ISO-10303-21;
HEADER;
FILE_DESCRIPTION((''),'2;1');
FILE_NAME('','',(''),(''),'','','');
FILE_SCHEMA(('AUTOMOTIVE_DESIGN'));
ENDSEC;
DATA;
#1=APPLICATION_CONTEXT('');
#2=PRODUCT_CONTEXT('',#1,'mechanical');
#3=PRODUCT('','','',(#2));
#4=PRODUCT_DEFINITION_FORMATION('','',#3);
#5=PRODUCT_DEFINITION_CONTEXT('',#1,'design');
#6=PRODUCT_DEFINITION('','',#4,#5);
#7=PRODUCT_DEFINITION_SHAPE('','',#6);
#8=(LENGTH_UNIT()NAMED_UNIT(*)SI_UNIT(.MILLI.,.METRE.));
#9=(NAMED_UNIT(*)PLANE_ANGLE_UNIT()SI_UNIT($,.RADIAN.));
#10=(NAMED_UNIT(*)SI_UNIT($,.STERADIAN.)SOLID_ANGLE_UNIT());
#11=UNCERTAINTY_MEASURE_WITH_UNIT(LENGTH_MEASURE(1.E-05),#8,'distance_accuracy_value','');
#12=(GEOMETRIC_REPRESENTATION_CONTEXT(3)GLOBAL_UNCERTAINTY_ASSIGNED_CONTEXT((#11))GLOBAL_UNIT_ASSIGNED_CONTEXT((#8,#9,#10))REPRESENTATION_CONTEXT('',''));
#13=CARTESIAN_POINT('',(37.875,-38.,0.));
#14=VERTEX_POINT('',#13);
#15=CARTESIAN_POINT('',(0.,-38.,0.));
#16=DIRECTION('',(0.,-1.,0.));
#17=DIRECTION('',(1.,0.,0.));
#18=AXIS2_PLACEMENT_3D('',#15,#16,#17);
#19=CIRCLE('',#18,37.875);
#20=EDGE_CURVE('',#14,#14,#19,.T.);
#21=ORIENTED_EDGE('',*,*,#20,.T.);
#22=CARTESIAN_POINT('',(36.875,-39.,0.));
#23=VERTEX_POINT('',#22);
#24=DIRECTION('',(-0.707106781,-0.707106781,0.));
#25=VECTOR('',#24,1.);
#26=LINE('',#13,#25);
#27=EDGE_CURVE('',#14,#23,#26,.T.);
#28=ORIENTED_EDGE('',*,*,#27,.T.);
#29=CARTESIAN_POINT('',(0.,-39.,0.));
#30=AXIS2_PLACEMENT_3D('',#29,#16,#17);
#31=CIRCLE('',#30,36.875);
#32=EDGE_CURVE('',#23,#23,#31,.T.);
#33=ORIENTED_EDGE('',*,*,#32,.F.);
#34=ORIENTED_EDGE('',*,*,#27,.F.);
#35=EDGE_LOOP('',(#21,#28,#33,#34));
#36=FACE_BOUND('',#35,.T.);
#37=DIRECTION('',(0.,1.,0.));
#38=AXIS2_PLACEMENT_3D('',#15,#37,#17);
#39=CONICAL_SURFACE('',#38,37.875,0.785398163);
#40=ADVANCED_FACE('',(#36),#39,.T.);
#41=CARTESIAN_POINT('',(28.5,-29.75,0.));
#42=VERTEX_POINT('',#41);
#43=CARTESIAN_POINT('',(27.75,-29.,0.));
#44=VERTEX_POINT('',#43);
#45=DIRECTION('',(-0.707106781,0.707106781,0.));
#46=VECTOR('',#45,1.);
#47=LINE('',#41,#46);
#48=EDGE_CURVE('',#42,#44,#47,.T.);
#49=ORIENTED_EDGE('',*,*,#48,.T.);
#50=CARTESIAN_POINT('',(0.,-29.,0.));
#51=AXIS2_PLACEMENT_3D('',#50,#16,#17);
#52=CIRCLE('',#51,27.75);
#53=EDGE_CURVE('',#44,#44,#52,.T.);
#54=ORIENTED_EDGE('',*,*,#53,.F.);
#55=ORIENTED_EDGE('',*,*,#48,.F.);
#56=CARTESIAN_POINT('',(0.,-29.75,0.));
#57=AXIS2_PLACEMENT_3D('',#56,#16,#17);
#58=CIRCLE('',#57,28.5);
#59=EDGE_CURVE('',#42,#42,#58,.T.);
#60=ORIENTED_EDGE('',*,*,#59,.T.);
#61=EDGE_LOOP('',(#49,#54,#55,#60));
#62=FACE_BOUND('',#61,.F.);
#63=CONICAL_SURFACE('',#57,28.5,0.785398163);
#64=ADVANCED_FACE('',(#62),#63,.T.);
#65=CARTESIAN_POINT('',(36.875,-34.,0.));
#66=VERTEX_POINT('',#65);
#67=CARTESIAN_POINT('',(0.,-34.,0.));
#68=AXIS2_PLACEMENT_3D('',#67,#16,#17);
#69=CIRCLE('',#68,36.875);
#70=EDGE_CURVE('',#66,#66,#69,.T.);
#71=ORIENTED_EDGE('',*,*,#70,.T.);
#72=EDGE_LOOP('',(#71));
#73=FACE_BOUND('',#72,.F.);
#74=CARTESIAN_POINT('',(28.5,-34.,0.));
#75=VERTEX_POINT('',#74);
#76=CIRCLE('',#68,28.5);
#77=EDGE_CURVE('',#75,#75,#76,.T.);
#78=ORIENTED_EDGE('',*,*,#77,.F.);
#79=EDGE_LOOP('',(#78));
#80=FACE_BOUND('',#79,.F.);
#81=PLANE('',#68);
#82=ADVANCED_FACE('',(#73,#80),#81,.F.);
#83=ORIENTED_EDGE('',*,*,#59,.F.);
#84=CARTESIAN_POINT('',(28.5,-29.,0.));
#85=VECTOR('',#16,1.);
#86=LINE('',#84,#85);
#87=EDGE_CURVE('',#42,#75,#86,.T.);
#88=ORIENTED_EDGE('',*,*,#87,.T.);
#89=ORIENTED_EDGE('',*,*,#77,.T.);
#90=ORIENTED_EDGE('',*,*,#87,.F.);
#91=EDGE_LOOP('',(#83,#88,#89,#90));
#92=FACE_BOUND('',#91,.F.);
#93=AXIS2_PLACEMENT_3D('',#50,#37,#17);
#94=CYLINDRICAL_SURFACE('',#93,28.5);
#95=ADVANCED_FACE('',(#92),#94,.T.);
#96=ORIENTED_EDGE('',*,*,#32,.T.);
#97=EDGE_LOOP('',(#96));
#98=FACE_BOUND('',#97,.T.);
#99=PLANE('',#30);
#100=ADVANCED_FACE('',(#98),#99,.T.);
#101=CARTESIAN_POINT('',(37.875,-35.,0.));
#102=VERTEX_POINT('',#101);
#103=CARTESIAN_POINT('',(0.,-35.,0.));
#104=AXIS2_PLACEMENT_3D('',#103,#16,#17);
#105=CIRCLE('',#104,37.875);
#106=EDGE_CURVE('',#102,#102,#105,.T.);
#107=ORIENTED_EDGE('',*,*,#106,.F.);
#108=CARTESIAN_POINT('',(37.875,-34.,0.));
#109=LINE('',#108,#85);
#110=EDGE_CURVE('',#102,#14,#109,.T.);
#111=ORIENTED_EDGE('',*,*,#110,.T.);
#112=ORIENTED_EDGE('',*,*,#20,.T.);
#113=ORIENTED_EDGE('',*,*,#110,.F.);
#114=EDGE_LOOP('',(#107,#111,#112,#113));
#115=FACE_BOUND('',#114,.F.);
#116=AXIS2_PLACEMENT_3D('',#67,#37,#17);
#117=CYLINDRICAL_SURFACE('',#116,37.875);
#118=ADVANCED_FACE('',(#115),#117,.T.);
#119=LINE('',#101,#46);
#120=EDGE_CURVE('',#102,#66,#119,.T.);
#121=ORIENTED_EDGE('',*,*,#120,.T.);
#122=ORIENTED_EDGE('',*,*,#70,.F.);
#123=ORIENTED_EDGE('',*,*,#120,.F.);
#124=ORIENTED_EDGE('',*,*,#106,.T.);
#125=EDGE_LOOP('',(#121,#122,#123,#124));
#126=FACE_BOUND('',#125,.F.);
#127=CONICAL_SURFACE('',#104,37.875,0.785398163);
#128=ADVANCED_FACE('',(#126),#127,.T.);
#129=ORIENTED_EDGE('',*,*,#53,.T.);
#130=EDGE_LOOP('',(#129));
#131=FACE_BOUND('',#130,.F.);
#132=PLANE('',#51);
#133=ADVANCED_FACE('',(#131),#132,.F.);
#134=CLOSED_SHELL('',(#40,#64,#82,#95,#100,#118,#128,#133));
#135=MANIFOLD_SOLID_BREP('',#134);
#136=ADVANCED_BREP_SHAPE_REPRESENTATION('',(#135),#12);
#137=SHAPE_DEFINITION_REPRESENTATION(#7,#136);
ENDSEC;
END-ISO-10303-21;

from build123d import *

# Parameters (mm, degrees)
SKETCH001_R     = 28.5
PAD_DEPTH       = 5
SKETCH002_R     = 37.875
PAD001_DEPTH    = 5
CHAMFER_SIZE    = 1
CHAMFER001_SIZE = 0.75


with BuildPart() as part:
    # Sketch001 → Pad (new body)
    with BuildSketch(Plane.XZ.offset(29)):
        Circle(SKETCH001_R)
    extrude(amount=PAD_DEPTH)

    # Sketch002 (on Face3 of Pad) → Pad001 (join)
    with BuildSketch(Plane.XZ.offset(34)):
        Circle(SKETCH002_R)
    extrude(amount=PAD001_DEPTH)

    # Chamfer
    chamfer_edges = [part.edges().sort_by_distance(p)[0] for p in [
        (-37.875, -39, 0),
        (-37.875, -34, 0),
    ]]
    chamfer(chamfer_edges, length=CHAMFER_SIZE)

    # Chamfer001
    chamfer001_edges = [part.edges().sort_by_distance(p)[0] for p in [
        (-28.5, -29, 0),
    ]]
    chamfer(chamfer001_edges, length=CHAMFER001_SIZE)


solid = part.part
